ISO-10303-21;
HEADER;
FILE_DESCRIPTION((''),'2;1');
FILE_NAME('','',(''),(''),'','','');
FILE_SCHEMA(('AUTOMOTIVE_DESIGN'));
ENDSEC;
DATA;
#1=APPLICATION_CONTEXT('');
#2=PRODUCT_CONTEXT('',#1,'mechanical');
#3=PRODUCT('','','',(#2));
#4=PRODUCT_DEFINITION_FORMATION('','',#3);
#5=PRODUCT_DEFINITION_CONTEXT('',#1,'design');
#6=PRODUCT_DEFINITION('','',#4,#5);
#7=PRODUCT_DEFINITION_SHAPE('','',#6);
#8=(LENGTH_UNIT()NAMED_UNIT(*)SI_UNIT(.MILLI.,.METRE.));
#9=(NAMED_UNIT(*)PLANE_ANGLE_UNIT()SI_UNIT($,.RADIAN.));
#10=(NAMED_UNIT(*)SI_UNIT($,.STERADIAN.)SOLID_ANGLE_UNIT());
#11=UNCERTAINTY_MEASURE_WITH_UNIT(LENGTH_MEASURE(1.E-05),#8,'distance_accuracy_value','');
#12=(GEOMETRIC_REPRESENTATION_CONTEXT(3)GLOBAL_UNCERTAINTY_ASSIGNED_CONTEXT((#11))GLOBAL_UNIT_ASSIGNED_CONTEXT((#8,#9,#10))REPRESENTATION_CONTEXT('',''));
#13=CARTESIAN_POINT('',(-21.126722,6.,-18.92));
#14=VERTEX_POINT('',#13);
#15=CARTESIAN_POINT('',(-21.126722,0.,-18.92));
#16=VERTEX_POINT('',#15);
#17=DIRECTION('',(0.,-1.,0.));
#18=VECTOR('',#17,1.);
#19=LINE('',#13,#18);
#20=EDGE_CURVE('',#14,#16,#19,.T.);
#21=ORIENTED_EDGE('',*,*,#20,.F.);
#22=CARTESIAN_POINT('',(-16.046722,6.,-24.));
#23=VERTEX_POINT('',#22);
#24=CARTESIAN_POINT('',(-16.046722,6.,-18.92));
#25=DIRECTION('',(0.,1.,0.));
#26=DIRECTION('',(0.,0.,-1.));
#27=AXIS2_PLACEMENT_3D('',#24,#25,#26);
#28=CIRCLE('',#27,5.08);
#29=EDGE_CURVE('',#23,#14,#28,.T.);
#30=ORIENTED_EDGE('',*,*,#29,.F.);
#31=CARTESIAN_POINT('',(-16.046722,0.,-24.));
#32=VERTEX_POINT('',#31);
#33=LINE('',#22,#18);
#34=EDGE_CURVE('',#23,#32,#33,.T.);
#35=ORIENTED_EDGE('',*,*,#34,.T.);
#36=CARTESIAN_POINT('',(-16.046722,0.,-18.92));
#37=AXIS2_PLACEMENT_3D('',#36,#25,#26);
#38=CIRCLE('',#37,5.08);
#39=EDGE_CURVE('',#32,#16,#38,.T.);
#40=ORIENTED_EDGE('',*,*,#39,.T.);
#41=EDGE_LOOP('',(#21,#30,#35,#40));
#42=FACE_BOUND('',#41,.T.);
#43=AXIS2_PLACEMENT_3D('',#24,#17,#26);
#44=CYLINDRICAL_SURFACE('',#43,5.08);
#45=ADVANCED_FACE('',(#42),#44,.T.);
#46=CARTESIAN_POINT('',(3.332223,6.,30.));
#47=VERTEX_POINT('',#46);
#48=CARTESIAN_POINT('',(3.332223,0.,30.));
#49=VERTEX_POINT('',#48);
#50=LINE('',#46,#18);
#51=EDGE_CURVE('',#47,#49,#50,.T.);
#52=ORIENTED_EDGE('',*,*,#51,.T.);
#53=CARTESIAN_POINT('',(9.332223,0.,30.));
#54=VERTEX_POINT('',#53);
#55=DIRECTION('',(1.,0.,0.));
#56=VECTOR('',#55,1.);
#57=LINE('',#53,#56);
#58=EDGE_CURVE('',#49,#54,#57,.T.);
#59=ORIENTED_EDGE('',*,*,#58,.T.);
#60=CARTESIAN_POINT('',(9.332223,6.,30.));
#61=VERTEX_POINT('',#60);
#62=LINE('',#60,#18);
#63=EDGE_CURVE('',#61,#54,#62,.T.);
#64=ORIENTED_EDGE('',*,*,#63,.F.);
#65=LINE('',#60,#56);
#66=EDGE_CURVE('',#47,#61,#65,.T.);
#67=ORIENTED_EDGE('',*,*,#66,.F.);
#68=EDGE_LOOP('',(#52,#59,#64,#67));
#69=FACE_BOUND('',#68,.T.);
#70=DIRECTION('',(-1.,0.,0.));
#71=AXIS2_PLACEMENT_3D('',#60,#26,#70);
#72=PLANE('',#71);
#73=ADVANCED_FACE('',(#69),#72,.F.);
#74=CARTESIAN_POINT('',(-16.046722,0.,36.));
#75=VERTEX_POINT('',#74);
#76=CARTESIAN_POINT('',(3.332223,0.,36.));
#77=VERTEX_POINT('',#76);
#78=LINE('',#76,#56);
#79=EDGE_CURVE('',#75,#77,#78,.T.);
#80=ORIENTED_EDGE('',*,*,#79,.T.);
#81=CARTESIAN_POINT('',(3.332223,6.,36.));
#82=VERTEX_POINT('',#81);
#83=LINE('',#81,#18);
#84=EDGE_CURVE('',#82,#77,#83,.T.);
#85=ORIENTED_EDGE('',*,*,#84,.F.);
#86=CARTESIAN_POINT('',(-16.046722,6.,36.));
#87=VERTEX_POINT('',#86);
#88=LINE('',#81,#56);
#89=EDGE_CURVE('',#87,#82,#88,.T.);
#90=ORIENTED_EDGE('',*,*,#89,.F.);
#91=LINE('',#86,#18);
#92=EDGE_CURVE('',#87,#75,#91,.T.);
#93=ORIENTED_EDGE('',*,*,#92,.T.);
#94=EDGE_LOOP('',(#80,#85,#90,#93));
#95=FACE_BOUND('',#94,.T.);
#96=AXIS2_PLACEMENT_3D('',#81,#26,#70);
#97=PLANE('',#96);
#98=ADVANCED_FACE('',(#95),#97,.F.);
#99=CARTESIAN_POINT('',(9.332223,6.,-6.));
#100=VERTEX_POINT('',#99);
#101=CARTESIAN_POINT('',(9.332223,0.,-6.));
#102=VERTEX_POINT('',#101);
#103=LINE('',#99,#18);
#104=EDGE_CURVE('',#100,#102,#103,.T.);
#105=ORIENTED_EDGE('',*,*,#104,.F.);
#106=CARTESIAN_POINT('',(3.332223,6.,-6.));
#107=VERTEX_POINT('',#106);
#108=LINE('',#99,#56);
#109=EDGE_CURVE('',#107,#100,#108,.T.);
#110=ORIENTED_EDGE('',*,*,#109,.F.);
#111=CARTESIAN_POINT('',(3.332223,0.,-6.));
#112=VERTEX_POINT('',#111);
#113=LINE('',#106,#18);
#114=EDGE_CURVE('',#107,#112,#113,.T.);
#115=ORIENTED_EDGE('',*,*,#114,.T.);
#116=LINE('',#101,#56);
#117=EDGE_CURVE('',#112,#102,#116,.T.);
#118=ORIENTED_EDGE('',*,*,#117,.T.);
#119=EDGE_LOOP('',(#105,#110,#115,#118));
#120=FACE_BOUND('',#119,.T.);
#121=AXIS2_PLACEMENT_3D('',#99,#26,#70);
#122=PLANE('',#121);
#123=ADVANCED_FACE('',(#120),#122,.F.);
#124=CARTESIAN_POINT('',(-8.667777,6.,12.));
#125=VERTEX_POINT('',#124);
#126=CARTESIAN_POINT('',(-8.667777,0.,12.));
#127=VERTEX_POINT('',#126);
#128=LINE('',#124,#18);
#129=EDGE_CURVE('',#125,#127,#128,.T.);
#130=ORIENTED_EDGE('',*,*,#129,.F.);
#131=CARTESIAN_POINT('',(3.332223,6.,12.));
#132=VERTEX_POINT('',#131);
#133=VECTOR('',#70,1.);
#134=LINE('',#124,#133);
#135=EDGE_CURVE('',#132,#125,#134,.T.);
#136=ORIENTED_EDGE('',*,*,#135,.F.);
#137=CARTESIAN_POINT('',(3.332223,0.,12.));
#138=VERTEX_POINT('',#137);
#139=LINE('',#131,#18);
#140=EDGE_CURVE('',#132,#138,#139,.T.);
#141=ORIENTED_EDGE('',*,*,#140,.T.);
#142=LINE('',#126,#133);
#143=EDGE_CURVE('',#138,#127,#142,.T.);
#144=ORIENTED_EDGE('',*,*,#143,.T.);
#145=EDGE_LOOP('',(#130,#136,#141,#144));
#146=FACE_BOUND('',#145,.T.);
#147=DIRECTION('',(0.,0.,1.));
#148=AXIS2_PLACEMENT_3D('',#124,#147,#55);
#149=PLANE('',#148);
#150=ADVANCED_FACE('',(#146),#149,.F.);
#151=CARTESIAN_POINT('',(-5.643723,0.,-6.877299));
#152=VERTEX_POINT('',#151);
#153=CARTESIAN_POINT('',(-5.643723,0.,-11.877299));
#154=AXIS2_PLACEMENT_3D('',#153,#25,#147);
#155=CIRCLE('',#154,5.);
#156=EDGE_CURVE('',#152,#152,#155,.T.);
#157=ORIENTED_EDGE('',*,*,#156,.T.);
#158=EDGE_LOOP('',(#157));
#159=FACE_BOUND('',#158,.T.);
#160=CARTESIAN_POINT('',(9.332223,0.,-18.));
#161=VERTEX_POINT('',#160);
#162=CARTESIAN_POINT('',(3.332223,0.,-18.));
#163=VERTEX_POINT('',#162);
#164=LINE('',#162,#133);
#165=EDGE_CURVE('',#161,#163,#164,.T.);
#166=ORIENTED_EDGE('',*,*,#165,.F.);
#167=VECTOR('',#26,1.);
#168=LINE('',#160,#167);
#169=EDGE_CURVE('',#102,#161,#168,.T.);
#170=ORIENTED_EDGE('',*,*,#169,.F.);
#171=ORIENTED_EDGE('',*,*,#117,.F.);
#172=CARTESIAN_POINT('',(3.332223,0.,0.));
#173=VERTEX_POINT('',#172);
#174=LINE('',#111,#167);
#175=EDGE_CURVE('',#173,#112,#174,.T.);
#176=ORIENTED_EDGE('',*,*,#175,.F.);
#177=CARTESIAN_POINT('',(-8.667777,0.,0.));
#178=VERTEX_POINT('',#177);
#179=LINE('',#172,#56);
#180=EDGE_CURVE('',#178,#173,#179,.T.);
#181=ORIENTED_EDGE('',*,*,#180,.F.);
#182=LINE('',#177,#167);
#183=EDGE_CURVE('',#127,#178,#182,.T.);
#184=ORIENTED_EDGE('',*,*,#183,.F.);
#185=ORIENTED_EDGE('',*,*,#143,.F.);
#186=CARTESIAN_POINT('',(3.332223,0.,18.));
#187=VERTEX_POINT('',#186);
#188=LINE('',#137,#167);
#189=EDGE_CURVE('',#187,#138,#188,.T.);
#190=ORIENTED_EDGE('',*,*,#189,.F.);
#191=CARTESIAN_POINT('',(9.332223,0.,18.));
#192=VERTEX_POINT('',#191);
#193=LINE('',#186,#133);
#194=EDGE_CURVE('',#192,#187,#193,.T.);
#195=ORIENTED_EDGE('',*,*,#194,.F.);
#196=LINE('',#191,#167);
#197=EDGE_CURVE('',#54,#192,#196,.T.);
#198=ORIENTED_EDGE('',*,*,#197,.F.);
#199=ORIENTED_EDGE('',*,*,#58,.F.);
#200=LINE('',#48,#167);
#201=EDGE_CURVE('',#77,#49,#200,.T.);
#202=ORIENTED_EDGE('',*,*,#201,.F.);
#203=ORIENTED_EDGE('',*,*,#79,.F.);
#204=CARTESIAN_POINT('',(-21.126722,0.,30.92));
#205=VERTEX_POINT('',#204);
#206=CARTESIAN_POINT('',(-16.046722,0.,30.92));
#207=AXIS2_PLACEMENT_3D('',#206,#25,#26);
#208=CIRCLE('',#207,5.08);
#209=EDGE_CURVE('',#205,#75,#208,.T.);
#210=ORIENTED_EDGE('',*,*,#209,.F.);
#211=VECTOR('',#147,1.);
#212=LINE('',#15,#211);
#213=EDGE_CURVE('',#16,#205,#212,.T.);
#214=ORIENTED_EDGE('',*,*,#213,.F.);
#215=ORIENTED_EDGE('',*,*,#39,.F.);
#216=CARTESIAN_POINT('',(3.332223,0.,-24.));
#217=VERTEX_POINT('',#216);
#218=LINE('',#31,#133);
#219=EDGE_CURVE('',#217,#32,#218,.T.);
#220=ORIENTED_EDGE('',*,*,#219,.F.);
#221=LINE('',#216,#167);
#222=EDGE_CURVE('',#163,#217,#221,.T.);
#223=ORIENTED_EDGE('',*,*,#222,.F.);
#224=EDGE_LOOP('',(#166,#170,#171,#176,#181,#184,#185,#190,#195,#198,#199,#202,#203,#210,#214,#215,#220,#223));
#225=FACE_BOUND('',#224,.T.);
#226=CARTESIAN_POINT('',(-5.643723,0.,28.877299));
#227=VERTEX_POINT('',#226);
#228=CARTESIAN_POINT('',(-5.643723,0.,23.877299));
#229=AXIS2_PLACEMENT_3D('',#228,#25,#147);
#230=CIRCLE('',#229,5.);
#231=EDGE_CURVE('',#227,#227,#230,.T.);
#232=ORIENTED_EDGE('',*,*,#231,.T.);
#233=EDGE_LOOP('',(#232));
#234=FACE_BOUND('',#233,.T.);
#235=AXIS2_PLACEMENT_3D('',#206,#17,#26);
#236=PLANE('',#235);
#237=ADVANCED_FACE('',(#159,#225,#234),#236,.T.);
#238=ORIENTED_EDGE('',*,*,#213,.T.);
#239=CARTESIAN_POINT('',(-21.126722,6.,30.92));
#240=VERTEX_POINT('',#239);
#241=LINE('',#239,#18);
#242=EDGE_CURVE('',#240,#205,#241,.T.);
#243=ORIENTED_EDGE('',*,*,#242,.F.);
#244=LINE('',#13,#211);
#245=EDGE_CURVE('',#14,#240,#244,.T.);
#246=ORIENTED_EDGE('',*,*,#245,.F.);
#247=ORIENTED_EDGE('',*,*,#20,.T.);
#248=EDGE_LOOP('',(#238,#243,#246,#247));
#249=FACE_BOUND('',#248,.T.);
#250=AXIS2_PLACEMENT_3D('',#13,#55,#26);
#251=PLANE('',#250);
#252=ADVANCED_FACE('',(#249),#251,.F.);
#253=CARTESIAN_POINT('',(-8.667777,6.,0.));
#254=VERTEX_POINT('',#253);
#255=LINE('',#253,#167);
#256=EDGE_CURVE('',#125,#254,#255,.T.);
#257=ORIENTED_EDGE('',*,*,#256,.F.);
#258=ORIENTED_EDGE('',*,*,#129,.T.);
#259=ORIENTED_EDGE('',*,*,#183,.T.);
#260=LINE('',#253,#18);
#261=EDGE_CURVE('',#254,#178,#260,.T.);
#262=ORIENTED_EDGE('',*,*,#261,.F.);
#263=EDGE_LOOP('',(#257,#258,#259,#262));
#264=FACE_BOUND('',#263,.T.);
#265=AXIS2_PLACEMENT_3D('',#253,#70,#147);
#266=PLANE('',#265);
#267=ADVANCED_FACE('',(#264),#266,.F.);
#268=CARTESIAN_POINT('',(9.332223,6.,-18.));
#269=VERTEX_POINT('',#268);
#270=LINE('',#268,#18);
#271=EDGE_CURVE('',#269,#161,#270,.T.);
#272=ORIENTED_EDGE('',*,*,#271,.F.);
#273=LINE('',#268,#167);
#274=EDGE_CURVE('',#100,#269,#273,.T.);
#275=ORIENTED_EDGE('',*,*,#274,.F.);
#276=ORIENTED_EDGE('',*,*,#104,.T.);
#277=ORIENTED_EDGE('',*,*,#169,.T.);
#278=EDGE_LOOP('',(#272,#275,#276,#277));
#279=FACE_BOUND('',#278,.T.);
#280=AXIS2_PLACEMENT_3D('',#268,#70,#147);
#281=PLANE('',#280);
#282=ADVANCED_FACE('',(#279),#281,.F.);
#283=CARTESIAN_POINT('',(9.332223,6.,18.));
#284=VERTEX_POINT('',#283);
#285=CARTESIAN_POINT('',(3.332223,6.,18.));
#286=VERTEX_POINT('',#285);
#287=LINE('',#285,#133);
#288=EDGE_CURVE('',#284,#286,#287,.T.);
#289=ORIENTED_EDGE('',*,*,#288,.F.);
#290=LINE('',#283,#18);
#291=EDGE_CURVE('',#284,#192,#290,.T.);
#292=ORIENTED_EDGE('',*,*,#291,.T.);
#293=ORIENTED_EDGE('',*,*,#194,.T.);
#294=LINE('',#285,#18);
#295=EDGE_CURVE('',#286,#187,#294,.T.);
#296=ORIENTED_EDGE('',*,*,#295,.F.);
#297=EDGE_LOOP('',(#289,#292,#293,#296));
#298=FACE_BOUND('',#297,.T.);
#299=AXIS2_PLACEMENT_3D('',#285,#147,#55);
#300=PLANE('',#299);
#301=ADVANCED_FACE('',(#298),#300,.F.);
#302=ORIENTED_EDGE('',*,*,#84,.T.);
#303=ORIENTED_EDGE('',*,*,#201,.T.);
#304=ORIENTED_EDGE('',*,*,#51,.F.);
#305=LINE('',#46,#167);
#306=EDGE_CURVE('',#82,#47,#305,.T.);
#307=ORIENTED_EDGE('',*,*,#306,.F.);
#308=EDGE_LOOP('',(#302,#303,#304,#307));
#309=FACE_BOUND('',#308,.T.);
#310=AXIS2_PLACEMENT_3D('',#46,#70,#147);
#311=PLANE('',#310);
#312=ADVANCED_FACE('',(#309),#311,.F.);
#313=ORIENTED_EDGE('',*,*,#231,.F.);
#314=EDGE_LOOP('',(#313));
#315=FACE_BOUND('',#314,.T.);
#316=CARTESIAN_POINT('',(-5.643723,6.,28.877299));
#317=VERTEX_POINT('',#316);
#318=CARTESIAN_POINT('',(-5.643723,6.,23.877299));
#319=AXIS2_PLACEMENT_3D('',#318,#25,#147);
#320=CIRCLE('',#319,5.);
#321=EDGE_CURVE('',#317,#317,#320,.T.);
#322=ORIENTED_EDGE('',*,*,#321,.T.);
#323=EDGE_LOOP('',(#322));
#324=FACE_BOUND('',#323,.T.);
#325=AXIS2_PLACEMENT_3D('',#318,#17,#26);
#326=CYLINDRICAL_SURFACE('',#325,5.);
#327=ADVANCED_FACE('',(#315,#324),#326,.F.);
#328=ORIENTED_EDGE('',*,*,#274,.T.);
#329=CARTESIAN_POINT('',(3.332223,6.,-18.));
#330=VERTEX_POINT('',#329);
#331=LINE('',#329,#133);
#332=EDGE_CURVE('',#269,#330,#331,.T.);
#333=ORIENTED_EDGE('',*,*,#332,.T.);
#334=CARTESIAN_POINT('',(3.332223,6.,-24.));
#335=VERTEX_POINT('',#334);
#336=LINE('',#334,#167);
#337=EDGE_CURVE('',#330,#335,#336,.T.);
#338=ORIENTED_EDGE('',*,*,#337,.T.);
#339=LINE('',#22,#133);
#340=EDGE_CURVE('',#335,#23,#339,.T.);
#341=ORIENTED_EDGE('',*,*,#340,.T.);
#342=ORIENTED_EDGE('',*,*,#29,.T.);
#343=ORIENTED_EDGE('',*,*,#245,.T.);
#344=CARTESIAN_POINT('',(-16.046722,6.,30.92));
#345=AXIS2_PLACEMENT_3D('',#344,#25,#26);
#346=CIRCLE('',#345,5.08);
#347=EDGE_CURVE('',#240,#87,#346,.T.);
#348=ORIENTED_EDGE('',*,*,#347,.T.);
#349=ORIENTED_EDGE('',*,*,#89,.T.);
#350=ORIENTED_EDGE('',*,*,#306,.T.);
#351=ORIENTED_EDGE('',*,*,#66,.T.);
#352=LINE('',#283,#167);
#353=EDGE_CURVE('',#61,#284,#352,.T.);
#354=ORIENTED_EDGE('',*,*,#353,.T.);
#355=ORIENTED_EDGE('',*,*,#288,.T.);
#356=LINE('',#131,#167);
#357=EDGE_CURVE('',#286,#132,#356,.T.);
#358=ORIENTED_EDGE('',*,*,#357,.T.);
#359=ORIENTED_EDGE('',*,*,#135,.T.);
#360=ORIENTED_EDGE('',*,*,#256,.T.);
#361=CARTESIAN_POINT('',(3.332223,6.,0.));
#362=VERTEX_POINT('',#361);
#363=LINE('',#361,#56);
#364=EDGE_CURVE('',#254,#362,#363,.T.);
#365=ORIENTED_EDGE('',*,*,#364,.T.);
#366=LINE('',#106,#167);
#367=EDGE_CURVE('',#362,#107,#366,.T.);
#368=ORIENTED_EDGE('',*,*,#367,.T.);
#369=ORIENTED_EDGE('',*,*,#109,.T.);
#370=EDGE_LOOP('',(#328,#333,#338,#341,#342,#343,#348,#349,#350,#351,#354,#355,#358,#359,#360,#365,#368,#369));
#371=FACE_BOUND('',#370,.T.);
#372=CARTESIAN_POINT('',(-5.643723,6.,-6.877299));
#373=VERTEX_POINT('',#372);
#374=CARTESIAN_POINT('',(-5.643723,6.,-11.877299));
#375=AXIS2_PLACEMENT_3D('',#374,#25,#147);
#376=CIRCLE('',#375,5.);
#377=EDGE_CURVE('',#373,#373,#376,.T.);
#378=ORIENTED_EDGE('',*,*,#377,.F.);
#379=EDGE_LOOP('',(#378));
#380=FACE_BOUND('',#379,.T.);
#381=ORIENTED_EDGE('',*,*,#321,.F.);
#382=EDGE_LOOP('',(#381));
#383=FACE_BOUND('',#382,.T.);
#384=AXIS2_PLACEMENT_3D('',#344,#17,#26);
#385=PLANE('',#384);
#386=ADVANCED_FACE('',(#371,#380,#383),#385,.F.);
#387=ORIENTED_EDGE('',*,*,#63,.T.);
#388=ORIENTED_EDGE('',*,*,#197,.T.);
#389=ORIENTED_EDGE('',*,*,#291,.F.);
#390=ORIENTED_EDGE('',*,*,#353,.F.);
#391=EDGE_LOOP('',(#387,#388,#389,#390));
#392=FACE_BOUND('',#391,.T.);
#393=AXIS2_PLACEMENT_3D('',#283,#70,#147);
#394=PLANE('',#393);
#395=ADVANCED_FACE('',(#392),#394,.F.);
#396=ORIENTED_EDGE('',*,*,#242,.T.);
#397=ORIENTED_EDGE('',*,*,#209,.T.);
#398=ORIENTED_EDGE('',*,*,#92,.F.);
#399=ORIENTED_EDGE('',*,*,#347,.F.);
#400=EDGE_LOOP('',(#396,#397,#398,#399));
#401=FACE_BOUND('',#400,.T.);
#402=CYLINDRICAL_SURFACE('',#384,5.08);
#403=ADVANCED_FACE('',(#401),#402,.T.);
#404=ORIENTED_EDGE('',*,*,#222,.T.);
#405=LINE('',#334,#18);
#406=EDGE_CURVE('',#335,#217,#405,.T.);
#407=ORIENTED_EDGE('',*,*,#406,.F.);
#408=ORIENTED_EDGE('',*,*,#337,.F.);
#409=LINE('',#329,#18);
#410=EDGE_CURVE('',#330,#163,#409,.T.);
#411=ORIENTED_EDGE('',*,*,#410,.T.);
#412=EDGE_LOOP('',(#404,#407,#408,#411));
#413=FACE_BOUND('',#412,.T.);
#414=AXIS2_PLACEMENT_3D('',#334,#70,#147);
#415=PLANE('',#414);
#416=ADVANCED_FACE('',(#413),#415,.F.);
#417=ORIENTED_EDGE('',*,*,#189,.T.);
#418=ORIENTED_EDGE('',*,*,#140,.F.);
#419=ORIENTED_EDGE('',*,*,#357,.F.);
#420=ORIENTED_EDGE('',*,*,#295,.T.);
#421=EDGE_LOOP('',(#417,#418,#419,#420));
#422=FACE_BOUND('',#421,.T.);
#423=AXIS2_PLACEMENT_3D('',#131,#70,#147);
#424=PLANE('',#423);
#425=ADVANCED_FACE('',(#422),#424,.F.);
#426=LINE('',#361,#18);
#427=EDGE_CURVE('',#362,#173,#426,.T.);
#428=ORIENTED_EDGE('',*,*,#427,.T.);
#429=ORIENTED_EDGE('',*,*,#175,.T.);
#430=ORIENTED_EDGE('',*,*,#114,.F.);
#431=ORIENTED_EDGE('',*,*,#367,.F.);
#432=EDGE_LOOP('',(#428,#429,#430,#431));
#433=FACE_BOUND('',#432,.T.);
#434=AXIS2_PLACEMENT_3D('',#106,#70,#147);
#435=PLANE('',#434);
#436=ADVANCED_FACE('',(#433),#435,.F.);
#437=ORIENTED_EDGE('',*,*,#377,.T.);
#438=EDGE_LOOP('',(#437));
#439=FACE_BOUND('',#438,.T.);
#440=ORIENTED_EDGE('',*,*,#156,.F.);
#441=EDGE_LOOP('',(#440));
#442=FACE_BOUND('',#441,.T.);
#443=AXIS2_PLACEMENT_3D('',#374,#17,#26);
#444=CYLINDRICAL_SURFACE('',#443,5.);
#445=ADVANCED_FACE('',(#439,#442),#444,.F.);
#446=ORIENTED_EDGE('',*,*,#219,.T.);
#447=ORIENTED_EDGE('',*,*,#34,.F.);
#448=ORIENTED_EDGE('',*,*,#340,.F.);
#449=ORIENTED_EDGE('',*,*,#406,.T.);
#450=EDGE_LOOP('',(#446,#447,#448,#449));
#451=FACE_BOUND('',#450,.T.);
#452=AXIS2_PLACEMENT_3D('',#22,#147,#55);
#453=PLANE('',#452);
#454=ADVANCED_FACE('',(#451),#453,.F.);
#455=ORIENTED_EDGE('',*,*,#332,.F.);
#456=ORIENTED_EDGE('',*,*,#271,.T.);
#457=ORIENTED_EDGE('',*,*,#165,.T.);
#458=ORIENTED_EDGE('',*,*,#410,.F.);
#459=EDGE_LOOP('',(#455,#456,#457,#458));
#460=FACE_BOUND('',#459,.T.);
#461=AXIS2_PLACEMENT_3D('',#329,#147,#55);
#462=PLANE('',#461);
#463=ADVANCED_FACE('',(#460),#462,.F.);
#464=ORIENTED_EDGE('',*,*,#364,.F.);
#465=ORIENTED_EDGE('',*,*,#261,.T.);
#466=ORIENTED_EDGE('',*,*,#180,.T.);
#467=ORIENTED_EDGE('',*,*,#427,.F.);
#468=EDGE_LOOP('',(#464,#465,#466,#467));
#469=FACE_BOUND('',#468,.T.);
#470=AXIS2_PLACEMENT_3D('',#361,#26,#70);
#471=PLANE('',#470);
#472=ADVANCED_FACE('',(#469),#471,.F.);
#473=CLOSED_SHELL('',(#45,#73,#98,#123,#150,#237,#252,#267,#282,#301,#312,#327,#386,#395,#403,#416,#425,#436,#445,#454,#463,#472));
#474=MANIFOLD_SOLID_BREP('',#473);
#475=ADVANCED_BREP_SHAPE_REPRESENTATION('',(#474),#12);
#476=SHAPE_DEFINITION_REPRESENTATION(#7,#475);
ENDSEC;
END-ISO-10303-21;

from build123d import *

# Parameters (mm, degrees)
SKETCH1_R           = 5
BOSS_EXTRUDE1_DEPTH = 6


with BuildPart() as part:
    # Sketch1 → Boss-Extrude1 (new body)
    with BuildSketch(Plane(origin=(0, 0, 0), x_dir=(1, 0, 0), z_dir=(0, 1, 0))):
        with BuildLine():
            Line((-21.126722314, 18.92), (-21.126722314, -30.92))
            ThreePointArc((-21.126722314, -30.92), (-19.638824763, -34.512102448), (-16.046722314, -36))
            Line((-16.046722314, -36), (3.332223015, -36))
            Line((3.332223015, -36), (3.332223015, -30))
            Line((3.332223015, -30), (9.332223015, -30))
            Line((9.332223015, -30), (9.332223015, -18))
            Line((9.332223015, -18), (3.332223015, -18))
            Line((3.332223015, -18), (3.332223015, -12))
            Line((3.332223015, -12), (-8.667776985, -12))
            Line((-8.667776985, -12), (-8.667776985, 0))
            Line((-8.667776985, 0), (3.332223015, 0))
            Line((3.332223015, 0), (3.332223015, 6))
            Line((3.332223015, 6), (9.332223015, 6))
            Line((9.332223015, 6), (9.332223015, 18))
            Line((9.332223015, 18), (3.332223015, 18))
            Line((3.332223015, 18), (3.332223015, 24))
            Line((3.332223015, 24), (-16.046722314, 24))
            ThreePointArc((-16.046722314, 24), (-19.638824763, 22.512102448), (-21.126722314, 18.92))
        make_face()
        with Locations(Location((-5.643722664, 11.877299035, 0), (0, 0, 270))):
            Circle(SKETCH1_R, mode=Mode.SUBTRACT)
        with Locations(Location((-5.643722664, -23.877299035, 0), (0, 0, 270))):
            Circle(SKETCH1_R, mode=Mode.SUBTRACT)
    extrude(amount=BOSS_EXTRUDE1_DEPTH)


solid = part.part
